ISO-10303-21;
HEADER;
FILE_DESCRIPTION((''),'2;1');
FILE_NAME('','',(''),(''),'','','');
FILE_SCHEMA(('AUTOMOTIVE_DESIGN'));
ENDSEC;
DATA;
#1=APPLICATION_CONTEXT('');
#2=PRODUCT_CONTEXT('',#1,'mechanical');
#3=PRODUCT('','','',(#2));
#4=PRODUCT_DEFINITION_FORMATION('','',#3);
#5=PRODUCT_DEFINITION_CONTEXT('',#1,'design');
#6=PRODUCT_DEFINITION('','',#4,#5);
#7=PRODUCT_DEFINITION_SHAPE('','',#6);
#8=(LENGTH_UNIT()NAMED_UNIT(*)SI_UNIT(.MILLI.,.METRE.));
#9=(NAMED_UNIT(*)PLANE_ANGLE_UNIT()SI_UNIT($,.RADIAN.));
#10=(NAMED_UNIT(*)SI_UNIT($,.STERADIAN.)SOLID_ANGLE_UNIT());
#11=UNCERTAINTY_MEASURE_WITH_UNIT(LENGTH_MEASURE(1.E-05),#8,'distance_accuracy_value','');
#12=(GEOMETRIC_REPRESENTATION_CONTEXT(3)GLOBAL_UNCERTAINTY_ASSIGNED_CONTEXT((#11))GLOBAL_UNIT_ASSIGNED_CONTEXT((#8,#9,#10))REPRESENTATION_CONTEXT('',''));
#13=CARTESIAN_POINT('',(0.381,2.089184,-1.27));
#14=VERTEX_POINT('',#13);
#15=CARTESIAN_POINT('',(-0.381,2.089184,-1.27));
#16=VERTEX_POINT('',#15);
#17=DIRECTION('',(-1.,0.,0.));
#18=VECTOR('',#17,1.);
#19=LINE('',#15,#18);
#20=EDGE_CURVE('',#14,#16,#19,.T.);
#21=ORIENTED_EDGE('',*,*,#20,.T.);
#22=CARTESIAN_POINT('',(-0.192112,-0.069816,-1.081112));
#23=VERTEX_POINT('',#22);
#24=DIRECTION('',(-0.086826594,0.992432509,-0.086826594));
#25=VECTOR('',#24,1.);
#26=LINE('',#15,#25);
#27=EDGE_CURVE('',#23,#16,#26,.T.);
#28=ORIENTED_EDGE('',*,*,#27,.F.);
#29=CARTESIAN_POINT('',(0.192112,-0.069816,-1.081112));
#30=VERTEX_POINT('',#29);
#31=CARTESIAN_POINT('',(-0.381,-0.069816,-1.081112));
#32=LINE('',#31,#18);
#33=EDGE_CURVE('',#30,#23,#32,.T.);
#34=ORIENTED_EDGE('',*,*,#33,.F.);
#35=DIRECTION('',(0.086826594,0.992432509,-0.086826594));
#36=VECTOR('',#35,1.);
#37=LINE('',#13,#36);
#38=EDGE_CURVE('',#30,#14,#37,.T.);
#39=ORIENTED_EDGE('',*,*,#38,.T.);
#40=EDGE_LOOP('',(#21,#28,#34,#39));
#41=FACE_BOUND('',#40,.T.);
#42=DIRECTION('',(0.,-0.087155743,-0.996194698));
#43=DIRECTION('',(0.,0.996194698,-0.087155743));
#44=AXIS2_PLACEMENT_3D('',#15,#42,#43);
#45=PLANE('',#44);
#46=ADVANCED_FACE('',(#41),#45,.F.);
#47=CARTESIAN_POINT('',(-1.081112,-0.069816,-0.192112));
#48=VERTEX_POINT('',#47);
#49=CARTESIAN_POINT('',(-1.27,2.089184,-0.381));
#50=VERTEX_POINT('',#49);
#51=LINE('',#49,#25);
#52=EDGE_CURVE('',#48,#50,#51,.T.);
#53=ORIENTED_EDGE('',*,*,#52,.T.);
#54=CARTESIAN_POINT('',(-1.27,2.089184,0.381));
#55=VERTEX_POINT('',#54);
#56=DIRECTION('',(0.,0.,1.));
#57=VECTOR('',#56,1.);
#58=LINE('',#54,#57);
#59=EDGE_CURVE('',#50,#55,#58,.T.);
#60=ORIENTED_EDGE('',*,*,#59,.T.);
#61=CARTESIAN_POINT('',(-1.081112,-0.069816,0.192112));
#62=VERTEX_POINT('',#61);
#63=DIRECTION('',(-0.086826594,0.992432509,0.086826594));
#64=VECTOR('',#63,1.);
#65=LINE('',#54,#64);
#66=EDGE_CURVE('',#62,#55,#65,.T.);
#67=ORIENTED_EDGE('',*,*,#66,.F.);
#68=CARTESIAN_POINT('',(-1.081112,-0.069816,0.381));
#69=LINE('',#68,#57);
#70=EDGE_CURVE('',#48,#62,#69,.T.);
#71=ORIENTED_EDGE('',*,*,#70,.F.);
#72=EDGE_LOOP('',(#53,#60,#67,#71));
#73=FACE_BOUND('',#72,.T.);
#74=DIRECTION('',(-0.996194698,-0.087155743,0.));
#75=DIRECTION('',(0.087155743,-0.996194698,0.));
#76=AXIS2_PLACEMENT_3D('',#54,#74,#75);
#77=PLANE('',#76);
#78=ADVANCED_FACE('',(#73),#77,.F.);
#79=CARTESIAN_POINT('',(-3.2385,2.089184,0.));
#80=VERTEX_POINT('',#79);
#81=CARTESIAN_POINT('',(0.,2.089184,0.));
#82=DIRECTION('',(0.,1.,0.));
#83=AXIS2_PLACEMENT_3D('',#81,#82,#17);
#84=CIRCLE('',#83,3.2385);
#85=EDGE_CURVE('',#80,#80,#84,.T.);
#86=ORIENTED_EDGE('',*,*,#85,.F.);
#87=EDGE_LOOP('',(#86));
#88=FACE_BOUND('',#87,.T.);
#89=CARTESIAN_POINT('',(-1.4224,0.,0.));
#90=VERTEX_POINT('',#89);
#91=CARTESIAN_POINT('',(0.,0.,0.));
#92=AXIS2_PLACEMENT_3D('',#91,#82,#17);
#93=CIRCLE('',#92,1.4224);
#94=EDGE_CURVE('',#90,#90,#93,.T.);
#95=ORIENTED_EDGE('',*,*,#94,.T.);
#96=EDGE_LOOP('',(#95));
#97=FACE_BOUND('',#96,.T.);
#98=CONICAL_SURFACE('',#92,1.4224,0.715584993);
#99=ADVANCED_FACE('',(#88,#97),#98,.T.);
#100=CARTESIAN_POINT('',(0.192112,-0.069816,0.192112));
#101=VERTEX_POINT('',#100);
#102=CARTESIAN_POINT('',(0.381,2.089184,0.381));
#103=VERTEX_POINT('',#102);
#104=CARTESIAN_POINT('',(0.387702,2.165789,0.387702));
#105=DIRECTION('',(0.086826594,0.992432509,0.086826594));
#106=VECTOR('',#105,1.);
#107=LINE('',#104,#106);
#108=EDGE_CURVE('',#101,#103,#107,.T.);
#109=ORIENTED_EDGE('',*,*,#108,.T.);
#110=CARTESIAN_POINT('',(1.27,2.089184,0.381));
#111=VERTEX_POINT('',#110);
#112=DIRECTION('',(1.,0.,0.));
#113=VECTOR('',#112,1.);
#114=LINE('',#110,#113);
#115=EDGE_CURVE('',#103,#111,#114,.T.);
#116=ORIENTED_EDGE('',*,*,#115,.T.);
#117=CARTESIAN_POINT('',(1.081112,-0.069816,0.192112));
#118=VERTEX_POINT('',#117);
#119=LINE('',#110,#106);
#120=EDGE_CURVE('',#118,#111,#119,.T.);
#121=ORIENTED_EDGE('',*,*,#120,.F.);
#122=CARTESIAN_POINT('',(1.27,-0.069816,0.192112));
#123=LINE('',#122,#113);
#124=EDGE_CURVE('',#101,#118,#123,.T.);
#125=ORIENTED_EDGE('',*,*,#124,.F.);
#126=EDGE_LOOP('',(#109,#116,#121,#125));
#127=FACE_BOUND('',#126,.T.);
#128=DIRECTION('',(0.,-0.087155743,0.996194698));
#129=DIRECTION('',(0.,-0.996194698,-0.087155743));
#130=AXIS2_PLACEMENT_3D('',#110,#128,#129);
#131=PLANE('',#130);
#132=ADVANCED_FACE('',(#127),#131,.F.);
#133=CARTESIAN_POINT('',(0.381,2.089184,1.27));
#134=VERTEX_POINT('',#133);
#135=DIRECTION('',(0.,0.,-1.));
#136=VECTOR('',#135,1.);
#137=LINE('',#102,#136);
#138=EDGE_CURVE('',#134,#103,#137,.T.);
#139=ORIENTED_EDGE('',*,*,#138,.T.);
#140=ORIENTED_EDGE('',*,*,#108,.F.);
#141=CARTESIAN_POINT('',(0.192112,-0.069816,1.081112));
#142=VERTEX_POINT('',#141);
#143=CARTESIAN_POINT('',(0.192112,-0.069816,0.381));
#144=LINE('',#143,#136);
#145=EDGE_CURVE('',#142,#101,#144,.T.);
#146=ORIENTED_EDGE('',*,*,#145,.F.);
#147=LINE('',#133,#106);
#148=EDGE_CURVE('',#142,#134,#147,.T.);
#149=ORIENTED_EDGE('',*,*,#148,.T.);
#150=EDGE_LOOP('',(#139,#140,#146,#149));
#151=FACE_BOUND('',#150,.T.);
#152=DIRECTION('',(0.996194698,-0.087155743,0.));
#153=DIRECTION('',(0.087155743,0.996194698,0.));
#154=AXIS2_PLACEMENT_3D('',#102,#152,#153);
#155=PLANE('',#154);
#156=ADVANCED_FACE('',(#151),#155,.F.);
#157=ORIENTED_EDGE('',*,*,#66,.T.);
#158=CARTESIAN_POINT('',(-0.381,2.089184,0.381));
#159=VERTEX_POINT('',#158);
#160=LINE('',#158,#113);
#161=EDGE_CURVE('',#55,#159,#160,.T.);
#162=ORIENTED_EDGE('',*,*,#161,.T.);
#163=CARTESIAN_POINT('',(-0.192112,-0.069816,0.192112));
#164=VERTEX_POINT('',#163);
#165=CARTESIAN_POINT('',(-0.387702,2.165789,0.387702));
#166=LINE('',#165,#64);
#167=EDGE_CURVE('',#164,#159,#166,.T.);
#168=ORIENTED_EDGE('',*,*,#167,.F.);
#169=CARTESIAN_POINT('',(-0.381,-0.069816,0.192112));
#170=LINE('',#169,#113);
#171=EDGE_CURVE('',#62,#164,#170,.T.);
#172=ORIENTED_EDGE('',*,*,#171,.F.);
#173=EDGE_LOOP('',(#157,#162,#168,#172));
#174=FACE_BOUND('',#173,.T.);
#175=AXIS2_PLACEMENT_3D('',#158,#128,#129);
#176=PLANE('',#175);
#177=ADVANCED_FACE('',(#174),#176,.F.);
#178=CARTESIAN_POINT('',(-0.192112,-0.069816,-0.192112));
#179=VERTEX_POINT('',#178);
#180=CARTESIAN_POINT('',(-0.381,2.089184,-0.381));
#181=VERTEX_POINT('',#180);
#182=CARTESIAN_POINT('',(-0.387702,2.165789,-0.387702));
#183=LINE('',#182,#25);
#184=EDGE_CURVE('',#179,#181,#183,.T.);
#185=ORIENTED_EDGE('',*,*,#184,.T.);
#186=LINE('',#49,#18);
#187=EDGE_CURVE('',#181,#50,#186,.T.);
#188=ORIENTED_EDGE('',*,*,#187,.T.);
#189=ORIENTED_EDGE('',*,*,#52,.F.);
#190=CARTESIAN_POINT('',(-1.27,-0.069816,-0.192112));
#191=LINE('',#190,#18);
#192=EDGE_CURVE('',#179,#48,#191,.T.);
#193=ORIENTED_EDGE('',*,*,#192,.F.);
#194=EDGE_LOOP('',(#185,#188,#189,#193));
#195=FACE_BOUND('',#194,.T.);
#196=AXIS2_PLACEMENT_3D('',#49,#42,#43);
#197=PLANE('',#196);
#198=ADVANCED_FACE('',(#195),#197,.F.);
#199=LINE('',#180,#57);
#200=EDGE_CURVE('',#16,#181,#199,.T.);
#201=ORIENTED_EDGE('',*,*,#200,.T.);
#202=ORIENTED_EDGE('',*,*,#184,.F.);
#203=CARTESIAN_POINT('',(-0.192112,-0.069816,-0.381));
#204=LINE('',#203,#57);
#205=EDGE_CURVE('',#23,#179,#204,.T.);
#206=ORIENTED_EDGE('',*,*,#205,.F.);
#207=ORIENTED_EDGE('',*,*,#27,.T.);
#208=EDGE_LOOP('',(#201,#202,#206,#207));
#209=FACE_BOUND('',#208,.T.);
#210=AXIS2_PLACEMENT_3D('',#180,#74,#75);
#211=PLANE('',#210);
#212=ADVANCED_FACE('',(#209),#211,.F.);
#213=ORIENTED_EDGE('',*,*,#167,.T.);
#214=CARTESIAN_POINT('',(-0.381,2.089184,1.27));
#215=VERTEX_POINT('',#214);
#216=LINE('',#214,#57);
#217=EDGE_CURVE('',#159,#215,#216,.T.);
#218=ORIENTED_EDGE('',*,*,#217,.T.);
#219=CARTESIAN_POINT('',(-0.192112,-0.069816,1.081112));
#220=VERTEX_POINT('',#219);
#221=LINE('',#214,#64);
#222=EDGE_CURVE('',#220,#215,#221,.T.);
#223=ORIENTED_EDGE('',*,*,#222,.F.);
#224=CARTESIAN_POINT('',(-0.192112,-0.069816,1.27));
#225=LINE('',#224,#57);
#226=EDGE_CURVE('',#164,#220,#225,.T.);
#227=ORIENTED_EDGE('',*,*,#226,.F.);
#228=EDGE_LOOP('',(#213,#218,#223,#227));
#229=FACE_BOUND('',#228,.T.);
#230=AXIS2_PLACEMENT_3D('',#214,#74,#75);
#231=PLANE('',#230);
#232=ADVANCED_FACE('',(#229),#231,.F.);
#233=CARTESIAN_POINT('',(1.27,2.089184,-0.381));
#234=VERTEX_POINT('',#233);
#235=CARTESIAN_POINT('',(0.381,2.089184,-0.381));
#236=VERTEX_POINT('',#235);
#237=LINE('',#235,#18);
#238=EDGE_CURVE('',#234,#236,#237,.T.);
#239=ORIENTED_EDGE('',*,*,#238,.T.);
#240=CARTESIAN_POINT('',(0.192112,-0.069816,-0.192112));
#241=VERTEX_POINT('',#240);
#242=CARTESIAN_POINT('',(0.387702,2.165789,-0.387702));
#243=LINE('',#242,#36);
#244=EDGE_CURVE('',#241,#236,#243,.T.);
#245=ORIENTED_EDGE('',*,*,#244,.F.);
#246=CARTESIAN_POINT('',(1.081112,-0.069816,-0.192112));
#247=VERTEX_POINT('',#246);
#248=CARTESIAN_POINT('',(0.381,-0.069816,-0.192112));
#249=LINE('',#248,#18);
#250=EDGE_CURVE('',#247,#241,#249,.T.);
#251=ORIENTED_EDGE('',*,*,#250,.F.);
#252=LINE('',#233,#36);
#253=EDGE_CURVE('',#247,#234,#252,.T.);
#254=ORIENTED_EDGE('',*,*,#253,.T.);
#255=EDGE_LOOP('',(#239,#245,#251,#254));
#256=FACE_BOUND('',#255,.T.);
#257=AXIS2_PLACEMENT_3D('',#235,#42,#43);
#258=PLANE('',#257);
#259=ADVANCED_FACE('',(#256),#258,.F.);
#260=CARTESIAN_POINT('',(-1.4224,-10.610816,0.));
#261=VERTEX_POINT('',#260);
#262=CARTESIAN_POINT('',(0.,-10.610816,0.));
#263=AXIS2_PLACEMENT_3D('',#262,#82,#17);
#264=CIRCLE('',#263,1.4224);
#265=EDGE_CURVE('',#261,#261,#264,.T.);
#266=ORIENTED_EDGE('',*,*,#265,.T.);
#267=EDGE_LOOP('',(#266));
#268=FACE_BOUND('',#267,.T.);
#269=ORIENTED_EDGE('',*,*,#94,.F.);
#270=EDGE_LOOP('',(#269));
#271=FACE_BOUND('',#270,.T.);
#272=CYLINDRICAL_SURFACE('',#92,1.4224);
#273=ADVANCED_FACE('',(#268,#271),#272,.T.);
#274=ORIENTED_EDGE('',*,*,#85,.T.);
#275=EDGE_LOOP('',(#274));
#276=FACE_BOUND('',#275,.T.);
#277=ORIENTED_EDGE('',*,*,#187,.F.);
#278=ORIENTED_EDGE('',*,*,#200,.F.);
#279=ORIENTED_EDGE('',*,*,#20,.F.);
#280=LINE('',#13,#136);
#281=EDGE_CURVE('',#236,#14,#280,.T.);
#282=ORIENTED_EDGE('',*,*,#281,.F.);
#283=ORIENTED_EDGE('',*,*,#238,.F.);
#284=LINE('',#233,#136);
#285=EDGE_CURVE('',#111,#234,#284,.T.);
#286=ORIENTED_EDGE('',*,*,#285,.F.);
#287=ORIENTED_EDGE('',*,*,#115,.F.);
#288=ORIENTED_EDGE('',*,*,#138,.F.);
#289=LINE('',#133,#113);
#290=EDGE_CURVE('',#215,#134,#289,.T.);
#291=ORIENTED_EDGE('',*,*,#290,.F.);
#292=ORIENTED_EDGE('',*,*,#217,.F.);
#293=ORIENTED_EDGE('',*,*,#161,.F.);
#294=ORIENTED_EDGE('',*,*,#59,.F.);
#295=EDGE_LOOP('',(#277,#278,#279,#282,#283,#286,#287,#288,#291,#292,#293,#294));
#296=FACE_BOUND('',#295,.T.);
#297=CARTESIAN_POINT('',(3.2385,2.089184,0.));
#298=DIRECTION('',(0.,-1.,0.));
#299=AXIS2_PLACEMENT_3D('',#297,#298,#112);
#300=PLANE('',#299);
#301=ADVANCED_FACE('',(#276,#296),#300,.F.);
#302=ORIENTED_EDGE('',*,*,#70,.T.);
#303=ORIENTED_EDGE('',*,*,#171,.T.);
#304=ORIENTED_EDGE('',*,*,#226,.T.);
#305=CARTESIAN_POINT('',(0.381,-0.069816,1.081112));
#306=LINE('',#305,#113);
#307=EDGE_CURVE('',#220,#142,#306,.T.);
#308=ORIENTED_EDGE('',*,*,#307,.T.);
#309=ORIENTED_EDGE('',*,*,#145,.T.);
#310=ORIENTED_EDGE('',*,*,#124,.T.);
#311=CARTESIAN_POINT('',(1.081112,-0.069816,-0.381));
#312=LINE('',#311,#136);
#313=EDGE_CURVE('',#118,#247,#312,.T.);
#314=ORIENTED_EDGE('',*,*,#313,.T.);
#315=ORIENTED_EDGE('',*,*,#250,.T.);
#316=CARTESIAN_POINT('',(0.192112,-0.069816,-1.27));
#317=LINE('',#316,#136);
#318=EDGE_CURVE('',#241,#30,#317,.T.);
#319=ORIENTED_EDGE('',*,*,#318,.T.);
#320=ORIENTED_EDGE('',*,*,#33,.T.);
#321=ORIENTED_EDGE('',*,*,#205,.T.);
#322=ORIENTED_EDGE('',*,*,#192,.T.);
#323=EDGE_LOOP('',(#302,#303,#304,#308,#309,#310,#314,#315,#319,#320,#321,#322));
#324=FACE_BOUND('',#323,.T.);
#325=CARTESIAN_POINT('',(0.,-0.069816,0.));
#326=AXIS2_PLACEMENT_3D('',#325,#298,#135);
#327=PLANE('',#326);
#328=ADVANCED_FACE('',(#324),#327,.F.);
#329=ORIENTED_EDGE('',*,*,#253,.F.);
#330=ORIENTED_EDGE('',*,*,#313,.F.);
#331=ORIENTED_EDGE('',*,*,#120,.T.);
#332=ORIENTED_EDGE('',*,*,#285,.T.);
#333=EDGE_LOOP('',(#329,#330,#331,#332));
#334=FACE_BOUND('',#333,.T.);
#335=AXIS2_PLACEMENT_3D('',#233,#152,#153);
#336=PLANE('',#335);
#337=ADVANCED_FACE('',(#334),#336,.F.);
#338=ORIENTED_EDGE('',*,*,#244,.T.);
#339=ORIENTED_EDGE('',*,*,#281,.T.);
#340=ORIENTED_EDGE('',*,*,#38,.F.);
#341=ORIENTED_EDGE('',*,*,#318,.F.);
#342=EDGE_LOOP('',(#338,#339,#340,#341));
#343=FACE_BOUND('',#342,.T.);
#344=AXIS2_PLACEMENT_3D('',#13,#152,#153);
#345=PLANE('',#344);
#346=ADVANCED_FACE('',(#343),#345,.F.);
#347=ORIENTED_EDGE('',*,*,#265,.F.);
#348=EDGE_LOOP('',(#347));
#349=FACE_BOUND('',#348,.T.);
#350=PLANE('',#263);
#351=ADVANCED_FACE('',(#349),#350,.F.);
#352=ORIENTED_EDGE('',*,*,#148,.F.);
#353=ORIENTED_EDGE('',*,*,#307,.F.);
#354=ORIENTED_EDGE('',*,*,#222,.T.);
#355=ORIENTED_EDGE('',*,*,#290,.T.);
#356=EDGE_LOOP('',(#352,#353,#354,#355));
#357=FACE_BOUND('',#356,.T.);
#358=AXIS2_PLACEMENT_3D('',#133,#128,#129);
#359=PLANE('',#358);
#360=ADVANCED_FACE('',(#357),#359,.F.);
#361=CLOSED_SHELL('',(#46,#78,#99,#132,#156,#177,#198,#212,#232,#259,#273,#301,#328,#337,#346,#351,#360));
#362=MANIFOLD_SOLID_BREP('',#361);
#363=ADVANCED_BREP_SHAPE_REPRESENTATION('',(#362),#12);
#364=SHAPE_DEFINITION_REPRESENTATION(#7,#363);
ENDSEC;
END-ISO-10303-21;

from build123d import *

# Parameters (mm, degrees)
CUT_EXTRUDE1_DEPTH = 2.159
CUT_EXTRUDE1_DRAFT = -5


with BuildPart() as part:
    # Sketch1 → Revolve1 (revolve)
    with BuildSketch(Plane.XY, mode=Mode.PRIVATE) as revolve1_sk:
        Polygon((1.4224, 0), (3.2385, 2.089184064), (0, 2.089184064), (0, 0), (0, -10.610815936), (1.4224, -10.610815936), align=None)
    revolve(revolve1_sk.sketch.rotate(Axis((0, 0, 0), (0, -1, 0)), 180), axis=Axis((0, 0, 0), (0, -1, 0)))


with BuildPart() as cut_extrude1_tool:
    # Sketch2 → Cut-Extrude1 (with draft: the straight prism first)
    with BuildSketch(Plane(origin=(0, 2.089184064, 0), x_dir=(1, 0, 0), z_dir=(0, 1, 0))):
        Polygon((-0.381, 1.27), (-0.381, 0.381), (-1.27, 0.381), (-1.27, -0.381), (-0.381, -0.381), (-0.381, -1.27), (0.381, -1.27), (0.381, -0.381), (1.27, -0.381), (1.27, 0.381), (0.381, 0.381), (0.381, 1.27), align=None)
    extrude(amount=-CUT_EXTRUDE1_DEPTH)
    # Cut-Extrude1: the draft: its side faces are tilted about the plane it starts from
    cut_extrude1_sides = [cut_extrude1_tool.faces().sort_by_distance(p)[0] for p in [
        (-0.381, 1.009684064, -0.8255),
        (-0.8255, 1.009684064, -0.381),
        (-1.27, 1.009684064, 0),
        (-0.8255, 1.009684064, 0.381),
        (-0.381, 1.009684064, 0.8255),
        (0, 1.009684064, 1.27),
        (0.381, 1.009684064, 0.8255),
        (0.8255, 1.009684064, 0.381),
        (1.27, 1.009684064, 0),
        (0.8255, 1.009684064, -0.381),
        (0.381, 1.009684064, -0.8255),
        (0, 1.009684064, -1.27),
    ]]
    draft(cut_extrude1_sides, Plane(origin=(0, 2.089184064, 0), x_dir=(1, 0, 0), z_dir=(0, 1, 0)), CUT_EXTRUDE1_DRAFT)


with BuildPart() as part_1:
    add(part.part)

    # Cut-Extrude1: cut by cut_extrude1_tool
    add(cut_extrude1_tool.part, mode=Mode.SUBTRACT)


solid = part_1.part
